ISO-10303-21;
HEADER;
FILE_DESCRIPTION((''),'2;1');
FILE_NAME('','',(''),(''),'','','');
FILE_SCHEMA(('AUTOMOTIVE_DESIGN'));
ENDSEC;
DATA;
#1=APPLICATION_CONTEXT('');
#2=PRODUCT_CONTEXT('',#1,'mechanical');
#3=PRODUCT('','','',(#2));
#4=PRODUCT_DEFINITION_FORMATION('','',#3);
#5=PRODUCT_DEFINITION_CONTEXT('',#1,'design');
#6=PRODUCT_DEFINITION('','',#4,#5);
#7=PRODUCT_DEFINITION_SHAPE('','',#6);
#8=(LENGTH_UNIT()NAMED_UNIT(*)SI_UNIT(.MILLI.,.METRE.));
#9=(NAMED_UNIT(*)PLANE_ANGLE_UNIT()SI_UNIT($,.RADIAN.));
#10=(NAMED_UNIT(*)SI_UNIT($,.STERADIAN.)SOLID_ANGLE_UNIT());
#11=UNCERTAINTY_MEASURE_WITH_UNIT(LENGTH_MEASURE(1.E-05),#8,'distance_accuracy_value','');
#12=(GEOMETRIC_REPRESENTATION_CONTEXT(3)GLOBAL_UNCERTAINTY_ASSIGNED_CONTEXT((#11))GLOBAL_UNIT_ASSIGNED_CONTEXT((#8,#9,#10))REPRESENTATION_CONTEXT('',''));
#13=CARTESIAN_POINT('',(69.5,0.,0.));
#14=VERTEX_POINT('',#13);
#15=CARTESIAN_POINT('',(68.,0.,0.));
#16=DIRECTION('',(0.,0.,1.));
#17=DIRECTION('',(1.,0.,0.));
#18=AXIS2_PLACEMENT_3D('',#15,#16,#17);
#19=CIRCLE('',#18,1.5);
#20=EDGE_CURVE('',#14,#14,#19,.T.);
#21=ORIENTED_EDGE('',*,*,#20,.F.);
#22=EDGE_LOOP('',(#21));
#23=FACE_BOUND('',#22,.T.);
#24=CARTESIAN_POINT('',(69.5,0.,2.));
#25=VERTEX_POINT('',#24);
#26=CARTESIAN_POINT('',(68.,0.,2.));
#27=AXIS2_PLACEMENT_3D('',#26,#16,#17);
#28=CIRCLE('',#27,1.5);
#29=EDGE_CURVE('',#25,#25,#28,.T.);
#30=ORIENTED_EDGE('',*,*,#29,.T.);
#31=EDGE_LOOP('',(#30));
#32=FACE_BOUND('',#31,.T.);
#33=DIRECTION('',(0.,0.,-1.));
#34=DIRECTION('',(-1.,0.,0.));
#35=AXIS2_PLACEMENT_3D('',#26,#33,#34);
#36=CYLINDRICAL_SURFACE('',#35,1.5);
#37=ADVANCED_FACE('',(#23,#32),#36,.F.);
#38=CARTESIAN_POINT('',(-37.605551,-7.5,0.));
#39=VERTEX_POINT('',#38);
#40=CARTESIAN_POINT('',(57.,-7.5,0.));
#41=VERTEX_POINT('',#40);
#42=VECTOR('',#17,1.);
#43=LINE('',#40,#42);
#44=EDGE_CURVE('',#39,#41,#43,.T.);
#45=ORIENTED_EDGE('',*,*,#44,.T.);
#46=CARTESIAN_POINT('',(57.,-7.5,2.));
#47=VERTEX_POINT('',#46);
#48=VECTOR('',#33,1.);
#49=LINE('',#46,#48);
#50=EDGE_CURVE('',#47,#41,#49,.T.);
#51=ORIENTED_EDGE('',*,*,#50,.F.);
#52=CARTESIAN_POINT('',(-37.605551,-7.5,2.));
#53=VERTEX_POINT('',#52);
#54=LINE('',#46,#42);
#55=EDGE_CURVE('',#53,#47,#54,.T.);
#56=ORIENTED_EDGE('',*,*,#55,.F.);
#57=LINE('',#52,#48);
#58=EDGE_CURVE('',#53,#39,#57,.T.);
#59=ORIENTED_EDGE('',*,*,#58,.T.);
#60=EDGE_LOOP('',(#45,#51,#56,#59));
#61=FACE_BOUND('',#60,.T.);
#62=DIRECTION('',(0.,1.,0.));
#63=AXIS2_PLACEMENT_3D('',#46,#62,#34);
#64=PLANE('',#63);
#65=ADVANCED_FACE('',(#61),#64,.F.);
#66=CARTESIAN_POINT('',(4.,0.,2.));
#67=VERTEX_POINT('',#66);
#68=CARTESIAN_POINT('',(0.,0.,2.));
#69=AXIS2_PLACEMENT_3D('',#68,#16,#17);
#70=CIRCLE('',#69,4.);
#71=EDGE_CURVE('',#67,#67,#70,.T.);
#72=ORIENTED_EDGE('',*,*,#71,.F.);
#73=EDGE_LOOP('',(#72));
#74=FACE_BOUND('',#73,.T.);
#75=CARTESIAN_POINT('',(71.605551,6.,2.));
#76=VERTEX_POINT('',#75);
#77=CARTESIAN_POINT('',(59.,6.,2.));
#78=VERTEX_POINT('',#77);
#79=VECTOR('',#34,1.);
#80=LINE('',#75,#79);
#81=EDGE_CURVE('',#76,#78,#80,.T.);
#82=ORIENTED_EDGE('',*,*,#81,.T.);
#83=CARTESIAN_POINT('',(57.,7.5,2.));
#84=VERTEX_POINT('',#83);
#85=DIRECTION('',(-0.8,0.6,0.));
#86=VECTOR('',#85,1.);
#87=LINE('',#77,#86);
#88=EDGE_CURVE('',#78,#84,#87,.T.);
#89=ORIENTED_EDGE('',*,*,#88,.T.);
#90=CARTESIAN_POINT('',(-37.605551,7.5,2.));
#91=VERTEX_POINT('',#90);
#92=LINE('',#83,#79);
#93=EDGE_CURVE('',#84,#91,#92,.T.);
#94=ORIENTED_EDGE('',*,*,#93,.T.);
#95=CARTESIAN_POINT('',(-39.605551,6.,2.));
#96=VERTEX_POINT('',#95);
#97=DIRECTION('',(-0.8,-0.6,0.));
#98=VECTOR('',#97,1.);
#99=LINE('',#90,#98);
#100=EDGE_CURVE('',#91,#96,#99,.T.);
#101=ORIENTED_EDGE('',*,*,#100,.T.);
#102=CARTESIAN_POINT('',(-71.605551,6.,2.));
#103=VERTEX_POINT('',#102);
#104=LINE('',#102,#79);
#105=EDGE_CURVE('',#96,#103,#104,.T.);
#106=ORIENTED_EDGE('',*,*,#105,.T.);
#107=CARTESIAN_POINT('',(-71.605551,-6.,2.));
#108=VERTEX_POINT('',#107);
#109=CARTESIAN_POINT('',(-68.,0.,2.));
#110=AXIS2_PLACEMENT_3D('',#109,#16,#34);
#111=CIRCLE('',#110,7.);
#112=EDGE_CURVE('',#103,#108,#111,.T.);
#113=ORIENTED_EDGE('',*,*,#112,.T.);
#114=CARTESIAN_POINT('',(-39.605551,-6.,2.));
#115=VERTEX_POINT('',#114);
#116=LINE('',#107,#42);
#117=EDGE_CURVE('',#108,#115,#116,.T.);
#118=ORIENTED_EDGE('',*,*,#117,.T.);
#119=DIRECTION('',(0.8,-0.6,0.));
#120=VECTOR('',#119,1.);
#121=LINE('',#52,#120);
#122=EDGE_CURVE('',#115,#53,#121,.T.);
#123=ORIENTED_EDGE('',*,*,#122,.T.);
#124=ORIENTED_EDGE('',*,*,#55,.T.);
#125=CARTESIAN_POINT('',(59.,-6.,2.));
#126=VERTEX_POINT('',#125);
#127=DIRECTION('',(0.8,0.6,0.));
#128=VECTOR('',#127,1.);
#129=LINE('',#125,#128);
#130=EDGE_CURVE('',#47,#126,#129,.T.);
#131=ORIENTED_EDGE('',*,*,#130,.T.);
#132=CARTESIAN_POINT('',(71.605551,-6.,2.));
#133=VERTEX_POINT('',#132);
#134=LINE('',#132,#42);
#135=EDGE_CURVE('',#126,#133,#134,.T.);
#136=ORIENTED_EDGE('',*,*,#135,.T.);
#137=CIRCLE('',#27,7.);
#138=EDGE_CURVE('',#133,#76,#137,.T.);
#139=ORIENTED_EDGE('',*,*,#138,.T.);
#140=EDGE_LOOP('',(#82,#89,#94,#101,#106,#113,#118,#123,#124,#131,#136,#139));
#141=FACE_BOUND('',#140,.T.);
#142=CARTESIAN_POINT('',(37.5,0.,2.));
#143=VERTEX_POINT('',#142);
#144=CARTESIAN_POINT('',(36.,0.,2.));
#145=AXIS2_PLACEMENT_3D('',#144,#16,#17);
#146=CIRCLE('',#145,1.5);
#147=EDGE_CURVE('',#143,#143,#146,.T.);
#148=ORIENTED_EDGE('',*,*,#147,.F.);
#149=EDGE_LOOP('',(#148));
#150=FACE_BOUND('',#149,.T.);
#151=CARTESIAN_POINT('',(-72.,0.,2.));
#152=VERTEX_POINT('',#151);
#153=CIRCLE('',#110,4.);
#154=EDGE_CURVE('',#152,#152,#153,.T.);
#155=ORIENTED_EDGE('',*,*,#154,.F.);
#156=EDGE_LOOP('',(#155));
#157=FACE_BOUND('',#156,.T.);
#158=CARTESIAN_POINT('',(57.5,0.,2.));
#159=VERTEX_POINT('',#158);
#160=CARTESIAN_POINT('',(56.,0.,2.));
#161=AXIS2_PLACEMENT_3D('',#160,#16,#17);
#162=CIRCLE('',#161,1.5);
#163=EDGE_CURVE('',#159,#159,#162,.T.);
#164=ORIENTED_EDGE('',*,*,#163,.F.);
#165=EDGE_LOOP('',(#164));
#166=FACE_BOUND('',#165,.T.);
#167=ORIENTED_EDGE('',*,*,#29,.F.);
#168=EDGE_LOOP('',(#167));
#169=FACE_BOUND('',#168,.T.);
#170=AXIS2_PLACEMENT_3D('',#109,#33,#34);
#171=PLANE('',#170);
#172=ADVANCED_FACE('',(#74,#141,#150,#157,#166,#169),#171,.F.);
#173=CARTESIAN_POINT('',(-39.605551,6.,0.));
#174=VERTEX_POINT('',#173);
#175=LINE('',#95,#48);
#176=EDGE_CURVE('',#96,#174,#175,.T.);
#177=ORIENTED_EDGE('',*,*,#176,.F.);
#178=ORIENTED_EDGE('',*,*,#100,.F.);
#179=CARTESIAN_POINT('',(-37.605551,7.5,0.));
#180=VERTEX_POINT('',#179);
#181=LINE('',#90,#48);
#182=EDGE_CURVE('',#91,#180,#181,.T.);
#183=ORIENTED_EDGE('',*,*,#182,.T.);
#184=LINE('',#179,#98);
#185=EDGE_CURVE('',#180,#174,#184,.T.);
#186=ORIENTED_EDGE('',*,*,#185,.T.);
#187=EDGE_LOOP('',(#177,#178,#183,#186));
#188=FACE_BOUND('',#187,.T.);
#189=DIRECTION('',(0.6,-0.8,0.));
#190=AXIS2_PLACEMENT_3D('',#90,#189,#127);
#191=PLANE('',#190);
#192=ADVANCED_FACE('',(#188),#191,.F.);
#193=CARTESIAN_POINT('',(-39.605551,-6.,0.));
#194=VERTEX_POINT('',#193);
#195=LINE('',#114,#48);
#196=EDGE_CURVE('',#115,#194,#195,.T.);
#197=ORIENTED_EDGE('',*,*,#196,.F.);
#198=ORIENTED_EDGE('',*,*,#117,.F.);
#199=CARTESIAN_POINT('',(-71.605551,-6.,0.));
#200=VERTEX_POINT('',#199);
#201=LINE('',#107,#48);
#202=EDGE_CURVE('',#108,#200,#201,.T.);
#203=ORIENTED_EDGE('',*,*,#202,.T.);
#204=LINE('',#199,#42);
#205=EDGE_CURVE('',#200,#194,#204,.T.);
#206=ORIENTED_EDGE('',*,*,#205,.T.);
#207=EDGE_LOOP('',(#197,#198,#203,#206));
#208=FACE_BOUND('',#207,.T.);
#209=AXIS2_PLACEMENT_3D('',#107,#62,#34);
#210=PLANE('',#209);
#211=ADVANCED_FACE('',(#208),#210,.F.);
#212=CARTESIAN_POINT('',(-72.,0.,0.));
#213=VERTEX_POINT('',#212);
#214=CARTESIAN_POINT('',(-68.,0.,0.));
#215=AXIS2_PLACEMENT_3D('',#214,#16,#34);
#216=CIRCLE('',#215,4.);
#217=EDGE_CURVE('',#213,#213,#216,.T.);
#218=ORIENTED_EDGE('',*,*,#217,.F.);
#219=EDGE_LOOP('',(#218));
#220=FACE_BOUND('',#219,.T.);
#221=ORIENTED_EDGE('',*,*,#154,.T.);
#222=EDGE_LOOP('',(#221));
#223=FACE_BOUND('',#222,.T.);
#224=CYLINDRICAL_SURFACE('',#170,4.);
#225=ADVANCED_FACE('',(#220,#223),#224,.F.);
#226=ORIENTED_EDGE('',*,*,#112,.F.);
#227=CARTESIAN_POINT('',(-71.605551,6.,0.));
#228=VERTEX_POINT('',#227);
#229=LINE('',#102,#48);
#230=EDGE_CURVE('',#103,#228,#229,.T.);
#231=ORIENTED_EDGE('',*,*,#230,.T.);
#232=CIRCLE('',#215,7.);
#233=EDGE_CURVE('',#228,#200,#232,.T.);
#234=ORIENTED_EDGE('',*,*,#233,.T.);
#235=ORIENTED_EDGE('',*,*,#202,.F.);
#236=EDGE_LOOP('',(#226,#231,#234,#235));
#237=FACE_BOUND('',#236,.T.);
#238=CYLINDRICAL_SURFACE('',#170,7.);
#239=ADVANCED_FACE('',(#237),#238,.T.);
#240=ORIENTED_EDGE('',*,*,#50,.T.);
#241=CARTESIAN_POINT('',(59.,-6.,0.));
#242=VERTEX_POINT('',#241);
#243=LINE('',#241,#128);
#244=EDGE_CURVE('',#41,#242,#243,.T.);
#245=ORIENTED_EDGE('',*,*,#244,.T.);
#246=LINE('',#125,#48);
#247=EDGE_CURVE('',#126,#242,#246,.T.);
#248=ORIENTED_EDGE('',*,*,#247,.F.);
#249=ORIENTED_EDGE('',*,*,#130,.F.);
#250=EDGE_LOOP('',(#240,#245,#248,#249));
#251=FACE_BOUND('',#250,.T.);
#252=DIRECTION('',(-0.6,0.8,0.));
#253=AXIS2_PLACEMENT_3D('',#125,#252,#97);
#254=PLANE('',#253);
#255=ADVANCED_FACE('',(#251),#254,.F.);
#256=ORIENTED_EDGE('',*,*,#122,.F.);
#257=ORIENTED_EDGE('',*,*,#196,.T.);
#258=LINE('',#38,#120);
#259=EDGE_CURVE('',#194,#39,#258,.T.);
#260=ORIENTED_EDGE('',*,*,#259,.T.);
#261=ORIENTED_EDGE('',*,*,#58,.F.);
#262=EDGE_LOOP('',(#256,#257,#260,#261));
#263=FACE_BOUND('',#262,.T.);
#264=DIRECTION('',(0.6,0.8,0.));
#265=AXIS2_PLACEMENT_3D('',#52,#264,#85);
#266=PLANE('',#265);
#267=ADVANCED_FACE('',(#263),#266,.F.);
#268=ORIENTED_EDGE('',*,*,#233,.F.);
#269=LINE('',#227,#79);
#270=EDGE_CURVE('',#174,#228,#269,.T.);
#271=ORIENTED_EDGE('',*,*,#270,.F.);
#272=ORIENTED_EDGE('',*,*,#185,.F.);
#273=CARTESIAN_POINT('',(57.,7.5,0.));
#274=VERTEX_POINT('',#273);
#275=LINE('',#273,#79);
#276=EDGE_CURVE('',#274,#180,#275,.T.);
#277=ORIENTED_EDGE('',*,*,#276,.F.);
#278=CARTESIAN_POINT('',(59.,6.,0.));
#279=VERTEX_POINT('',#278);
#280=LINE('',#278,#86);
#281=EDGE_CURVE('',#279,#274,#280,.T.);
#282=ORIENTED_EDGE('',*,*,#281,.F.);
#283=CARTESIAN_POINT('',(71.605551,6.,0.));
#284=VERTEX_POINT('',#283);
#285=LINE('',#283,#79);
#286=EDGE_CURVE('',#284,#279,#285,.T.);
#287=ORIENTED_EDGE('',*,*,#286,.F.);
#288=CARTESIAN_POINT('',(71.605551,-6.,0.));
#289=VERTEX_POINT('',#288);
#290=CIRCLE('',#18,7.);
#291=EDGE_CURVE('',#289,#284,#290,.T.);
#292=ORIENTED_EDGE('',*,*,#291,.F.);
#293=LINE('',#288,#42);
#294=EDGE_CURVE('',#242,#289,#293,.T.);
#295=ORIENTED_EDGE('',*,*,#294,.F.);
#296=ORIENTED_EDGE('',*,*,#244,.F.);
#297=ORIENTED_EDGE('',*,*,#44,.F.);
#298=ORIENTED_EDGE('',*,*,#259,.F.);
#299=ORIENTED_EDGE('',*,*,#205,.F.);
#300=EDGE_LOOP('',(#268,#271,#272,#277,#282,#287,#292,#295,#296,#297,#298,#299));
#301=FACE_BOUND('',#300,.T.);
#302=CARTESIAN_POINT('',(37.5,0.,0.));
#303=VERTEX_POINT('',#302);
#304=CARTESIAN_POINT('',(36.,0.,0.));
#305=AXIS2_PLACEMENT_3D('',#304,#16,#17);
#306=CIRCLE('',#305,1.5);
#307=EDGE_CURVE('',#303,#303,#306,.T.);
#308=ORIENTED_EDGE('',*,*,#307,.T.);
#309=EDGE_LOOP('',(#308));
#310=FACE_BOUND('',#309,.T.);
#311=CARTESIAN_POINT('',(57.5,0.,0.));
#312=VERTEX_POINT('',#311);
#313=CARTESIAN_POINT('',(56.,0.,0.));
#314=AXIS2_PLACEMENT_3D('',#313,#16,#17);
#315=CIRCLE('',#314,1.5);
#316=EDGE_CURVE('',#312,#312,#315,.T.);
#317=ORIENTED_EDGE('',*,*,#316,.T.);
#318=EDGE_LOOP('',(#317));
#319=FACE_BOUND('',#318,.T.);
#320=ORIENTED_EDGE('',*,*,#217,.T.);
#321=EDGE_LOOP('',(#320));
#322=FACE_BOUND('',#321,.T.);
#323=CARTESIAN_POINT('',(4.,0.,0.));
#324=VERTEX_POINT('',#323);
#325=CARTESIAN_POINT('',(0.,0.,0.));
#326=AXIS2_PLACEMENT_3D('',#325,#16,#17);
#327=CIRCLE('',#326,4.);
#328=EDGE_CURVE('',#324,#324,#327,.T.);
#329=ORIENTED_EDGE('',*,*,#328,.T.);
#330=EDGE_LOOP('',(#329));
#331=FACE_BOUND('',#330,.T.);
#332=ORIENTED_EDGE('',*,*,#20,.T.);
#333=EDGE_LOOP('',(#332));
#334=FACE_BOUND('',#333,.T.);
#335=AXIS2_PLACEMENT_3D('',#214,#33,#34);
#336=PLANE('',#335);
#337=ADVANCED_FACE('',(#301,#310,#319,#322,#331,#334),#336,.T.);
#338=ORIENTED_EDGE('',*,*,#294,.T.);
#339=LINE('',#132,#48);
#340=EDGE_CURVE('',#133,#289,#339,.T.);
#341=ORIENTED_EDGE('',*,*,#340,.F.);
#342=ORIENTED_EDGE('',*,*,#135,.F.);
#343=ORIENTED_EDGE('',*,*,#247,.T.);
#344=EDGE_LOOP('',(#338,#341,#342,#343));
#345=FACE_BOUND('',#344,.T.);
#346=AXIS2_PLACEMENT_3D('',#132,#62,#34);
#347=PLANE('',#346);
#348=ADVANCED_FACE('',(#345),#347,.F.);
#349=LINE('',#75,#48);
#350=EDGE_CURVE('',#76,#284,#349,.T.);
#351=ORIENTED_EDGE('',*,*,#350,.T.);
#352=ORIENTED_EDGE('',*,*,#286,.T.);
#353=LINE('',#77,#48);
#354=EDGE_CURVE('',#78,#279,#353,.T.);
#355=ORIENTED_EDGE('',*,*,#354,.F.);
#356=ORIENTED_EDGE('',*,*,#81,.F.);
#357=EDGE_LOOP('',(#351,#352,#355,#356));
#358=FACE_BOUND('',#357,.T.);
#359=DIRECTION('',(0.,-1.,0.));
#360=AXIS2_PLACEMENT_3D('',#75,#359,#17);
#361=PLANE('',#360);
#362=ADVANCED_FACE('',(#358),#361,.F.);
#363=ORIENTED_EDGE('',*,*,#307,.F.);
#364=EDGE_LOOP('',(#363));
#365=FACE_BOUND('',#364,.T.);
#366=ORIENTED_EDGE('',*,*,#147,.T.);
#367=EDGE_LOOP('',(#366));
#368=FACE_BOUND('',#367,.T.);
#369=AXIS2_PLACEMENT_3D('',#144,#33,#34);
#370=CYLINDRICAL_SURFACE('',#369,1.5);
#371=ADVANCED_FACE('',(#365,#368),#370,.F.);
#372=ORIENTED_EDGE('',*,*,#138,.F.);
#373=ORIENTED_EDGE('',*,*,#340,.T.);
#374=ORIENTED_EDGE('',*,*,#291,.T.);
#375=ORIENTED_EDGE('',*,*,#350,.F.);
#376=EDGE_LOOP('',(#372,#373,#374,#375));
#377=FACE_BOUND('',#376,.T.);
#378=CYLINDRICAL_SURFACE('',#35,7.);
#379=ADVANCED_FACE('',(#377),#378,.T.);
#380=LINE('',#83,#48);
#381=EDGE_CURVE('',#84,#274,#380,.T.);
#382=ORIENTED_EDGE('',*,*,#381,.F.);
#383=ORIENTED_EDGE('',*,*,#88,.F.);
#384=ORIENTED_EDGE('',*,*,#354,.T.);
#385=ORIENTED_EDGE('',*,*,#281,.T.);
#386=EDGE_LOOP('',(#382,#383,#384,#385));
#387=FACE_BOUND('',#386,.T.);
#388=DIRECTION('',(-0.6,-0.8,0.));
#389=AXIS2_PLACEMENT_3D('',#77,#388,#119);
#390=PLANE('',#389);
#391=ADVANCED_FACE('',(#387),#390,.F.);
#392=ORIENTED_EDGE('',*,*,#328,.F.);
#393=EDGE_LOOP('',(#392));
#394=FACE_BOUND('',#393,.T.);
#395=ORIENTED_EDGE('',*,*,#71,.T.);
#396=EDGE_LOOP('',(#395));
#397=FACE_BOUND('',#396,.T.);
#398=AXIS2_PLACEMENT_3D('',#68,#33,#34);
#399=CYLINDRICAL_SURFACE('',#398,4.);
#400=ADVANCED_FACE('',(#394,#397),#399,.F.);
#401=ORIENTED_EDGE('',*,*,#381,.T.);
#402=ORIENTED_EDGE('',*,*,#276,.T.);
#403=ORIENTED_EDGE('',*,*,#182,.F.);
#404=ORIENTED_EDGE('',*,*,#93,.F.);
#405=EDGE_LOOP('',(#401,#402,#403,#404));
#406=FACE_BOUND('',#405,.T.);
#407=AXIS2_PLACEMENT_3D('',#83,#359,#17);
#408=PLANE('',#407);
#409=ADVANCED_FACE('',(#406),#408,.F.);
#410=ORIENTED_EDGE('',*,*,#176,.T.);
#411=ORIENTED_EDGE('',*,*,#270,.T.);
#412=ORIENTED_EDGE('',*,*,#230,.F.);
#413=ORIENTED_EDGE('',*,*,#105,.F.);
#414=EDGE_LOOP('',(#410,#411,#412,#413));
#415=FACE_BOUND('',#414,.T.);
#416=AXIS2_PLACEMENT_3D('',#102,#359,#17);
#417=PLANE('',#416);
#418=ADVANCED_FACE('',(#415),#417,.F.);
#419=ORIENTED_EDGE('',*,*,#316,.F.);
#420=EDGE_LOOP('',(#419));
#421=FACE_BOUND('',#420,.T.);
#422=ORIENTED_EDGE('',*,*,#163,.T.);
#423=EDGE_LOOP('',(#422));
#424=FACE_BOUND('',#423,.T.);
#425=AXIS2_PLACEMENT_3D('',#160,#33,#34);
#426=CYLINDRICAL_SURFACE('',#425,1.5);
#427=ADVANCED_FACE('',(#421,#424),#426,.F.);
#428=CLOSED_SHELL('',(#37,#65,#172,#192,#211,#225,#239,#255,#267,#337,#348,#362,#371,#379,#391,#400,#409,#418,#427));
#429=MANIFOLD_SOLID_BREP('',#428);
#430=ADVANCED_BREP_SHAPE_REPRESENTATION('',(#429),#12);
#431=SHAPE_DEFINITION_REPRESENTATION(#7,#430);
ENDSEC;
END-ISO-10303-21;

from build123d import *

# Parameters (mm, degrees)
ESQUISSE1_R      = 1.5
ESQUISSE1_R_2    = 4
EXTRUSION1_DEPTH = 2


with BuildPart() as part:
    # Esquisse1 → Extrusion1 (new body)
    with BuildSketch(Plane.XY):
        with BuildLine():
            Line((71.605551275, 6), (59, 6))
            Line((59, 6), (57, 7.5))
            Line((57, 7.5), (-37.605551275, 7.5))
            Line((-37.605551275, 7.5), (-39.605551275, 6))
            Line((-39.605551275, 6), (-71.605551275, 6))
            ThreePointArc((-71.605551275, 6), (-75, 0), (-71.605551275, -6))
            Line((-71.605551275, -6), (-39.605551275, -6))
            Line((-39.605551275, -6), (-37.605551275, -7.5))
            Line((-37.605551275, -7.5), (57, -7.5))
            Line((57, -7.5), (59, -6))
            Line((59, -6), (71.605551275, -6))
            ThreePointArc((71.605551275, -6), (75, 0), (71.605551275, 6))
        make_face()
        with Locations((68, 0)):
            Circle(ESQUISSE1_R, mode=Mode.SUBTRACT)
        with Locations(Location((-68, 0, 0), (0, 0, 180))):
            Circle(ESQUISSE1_R_2, mode=Mode.SUBTRACT)
        Circle(ESQUISSE1_R_2, mode=Mode.SUBTRACT)
        with Locations((56, 0)):
            Circle(ESQUISSE1_R, mode=Mode.SUBTRACT)
        with Locations((36, 0)):
            Circle(ESQUISSE1_R, mode=Mode.SUBTRACT)
    extrude(amount=EXTRUSION1_DEPTH)


solid = part.part
